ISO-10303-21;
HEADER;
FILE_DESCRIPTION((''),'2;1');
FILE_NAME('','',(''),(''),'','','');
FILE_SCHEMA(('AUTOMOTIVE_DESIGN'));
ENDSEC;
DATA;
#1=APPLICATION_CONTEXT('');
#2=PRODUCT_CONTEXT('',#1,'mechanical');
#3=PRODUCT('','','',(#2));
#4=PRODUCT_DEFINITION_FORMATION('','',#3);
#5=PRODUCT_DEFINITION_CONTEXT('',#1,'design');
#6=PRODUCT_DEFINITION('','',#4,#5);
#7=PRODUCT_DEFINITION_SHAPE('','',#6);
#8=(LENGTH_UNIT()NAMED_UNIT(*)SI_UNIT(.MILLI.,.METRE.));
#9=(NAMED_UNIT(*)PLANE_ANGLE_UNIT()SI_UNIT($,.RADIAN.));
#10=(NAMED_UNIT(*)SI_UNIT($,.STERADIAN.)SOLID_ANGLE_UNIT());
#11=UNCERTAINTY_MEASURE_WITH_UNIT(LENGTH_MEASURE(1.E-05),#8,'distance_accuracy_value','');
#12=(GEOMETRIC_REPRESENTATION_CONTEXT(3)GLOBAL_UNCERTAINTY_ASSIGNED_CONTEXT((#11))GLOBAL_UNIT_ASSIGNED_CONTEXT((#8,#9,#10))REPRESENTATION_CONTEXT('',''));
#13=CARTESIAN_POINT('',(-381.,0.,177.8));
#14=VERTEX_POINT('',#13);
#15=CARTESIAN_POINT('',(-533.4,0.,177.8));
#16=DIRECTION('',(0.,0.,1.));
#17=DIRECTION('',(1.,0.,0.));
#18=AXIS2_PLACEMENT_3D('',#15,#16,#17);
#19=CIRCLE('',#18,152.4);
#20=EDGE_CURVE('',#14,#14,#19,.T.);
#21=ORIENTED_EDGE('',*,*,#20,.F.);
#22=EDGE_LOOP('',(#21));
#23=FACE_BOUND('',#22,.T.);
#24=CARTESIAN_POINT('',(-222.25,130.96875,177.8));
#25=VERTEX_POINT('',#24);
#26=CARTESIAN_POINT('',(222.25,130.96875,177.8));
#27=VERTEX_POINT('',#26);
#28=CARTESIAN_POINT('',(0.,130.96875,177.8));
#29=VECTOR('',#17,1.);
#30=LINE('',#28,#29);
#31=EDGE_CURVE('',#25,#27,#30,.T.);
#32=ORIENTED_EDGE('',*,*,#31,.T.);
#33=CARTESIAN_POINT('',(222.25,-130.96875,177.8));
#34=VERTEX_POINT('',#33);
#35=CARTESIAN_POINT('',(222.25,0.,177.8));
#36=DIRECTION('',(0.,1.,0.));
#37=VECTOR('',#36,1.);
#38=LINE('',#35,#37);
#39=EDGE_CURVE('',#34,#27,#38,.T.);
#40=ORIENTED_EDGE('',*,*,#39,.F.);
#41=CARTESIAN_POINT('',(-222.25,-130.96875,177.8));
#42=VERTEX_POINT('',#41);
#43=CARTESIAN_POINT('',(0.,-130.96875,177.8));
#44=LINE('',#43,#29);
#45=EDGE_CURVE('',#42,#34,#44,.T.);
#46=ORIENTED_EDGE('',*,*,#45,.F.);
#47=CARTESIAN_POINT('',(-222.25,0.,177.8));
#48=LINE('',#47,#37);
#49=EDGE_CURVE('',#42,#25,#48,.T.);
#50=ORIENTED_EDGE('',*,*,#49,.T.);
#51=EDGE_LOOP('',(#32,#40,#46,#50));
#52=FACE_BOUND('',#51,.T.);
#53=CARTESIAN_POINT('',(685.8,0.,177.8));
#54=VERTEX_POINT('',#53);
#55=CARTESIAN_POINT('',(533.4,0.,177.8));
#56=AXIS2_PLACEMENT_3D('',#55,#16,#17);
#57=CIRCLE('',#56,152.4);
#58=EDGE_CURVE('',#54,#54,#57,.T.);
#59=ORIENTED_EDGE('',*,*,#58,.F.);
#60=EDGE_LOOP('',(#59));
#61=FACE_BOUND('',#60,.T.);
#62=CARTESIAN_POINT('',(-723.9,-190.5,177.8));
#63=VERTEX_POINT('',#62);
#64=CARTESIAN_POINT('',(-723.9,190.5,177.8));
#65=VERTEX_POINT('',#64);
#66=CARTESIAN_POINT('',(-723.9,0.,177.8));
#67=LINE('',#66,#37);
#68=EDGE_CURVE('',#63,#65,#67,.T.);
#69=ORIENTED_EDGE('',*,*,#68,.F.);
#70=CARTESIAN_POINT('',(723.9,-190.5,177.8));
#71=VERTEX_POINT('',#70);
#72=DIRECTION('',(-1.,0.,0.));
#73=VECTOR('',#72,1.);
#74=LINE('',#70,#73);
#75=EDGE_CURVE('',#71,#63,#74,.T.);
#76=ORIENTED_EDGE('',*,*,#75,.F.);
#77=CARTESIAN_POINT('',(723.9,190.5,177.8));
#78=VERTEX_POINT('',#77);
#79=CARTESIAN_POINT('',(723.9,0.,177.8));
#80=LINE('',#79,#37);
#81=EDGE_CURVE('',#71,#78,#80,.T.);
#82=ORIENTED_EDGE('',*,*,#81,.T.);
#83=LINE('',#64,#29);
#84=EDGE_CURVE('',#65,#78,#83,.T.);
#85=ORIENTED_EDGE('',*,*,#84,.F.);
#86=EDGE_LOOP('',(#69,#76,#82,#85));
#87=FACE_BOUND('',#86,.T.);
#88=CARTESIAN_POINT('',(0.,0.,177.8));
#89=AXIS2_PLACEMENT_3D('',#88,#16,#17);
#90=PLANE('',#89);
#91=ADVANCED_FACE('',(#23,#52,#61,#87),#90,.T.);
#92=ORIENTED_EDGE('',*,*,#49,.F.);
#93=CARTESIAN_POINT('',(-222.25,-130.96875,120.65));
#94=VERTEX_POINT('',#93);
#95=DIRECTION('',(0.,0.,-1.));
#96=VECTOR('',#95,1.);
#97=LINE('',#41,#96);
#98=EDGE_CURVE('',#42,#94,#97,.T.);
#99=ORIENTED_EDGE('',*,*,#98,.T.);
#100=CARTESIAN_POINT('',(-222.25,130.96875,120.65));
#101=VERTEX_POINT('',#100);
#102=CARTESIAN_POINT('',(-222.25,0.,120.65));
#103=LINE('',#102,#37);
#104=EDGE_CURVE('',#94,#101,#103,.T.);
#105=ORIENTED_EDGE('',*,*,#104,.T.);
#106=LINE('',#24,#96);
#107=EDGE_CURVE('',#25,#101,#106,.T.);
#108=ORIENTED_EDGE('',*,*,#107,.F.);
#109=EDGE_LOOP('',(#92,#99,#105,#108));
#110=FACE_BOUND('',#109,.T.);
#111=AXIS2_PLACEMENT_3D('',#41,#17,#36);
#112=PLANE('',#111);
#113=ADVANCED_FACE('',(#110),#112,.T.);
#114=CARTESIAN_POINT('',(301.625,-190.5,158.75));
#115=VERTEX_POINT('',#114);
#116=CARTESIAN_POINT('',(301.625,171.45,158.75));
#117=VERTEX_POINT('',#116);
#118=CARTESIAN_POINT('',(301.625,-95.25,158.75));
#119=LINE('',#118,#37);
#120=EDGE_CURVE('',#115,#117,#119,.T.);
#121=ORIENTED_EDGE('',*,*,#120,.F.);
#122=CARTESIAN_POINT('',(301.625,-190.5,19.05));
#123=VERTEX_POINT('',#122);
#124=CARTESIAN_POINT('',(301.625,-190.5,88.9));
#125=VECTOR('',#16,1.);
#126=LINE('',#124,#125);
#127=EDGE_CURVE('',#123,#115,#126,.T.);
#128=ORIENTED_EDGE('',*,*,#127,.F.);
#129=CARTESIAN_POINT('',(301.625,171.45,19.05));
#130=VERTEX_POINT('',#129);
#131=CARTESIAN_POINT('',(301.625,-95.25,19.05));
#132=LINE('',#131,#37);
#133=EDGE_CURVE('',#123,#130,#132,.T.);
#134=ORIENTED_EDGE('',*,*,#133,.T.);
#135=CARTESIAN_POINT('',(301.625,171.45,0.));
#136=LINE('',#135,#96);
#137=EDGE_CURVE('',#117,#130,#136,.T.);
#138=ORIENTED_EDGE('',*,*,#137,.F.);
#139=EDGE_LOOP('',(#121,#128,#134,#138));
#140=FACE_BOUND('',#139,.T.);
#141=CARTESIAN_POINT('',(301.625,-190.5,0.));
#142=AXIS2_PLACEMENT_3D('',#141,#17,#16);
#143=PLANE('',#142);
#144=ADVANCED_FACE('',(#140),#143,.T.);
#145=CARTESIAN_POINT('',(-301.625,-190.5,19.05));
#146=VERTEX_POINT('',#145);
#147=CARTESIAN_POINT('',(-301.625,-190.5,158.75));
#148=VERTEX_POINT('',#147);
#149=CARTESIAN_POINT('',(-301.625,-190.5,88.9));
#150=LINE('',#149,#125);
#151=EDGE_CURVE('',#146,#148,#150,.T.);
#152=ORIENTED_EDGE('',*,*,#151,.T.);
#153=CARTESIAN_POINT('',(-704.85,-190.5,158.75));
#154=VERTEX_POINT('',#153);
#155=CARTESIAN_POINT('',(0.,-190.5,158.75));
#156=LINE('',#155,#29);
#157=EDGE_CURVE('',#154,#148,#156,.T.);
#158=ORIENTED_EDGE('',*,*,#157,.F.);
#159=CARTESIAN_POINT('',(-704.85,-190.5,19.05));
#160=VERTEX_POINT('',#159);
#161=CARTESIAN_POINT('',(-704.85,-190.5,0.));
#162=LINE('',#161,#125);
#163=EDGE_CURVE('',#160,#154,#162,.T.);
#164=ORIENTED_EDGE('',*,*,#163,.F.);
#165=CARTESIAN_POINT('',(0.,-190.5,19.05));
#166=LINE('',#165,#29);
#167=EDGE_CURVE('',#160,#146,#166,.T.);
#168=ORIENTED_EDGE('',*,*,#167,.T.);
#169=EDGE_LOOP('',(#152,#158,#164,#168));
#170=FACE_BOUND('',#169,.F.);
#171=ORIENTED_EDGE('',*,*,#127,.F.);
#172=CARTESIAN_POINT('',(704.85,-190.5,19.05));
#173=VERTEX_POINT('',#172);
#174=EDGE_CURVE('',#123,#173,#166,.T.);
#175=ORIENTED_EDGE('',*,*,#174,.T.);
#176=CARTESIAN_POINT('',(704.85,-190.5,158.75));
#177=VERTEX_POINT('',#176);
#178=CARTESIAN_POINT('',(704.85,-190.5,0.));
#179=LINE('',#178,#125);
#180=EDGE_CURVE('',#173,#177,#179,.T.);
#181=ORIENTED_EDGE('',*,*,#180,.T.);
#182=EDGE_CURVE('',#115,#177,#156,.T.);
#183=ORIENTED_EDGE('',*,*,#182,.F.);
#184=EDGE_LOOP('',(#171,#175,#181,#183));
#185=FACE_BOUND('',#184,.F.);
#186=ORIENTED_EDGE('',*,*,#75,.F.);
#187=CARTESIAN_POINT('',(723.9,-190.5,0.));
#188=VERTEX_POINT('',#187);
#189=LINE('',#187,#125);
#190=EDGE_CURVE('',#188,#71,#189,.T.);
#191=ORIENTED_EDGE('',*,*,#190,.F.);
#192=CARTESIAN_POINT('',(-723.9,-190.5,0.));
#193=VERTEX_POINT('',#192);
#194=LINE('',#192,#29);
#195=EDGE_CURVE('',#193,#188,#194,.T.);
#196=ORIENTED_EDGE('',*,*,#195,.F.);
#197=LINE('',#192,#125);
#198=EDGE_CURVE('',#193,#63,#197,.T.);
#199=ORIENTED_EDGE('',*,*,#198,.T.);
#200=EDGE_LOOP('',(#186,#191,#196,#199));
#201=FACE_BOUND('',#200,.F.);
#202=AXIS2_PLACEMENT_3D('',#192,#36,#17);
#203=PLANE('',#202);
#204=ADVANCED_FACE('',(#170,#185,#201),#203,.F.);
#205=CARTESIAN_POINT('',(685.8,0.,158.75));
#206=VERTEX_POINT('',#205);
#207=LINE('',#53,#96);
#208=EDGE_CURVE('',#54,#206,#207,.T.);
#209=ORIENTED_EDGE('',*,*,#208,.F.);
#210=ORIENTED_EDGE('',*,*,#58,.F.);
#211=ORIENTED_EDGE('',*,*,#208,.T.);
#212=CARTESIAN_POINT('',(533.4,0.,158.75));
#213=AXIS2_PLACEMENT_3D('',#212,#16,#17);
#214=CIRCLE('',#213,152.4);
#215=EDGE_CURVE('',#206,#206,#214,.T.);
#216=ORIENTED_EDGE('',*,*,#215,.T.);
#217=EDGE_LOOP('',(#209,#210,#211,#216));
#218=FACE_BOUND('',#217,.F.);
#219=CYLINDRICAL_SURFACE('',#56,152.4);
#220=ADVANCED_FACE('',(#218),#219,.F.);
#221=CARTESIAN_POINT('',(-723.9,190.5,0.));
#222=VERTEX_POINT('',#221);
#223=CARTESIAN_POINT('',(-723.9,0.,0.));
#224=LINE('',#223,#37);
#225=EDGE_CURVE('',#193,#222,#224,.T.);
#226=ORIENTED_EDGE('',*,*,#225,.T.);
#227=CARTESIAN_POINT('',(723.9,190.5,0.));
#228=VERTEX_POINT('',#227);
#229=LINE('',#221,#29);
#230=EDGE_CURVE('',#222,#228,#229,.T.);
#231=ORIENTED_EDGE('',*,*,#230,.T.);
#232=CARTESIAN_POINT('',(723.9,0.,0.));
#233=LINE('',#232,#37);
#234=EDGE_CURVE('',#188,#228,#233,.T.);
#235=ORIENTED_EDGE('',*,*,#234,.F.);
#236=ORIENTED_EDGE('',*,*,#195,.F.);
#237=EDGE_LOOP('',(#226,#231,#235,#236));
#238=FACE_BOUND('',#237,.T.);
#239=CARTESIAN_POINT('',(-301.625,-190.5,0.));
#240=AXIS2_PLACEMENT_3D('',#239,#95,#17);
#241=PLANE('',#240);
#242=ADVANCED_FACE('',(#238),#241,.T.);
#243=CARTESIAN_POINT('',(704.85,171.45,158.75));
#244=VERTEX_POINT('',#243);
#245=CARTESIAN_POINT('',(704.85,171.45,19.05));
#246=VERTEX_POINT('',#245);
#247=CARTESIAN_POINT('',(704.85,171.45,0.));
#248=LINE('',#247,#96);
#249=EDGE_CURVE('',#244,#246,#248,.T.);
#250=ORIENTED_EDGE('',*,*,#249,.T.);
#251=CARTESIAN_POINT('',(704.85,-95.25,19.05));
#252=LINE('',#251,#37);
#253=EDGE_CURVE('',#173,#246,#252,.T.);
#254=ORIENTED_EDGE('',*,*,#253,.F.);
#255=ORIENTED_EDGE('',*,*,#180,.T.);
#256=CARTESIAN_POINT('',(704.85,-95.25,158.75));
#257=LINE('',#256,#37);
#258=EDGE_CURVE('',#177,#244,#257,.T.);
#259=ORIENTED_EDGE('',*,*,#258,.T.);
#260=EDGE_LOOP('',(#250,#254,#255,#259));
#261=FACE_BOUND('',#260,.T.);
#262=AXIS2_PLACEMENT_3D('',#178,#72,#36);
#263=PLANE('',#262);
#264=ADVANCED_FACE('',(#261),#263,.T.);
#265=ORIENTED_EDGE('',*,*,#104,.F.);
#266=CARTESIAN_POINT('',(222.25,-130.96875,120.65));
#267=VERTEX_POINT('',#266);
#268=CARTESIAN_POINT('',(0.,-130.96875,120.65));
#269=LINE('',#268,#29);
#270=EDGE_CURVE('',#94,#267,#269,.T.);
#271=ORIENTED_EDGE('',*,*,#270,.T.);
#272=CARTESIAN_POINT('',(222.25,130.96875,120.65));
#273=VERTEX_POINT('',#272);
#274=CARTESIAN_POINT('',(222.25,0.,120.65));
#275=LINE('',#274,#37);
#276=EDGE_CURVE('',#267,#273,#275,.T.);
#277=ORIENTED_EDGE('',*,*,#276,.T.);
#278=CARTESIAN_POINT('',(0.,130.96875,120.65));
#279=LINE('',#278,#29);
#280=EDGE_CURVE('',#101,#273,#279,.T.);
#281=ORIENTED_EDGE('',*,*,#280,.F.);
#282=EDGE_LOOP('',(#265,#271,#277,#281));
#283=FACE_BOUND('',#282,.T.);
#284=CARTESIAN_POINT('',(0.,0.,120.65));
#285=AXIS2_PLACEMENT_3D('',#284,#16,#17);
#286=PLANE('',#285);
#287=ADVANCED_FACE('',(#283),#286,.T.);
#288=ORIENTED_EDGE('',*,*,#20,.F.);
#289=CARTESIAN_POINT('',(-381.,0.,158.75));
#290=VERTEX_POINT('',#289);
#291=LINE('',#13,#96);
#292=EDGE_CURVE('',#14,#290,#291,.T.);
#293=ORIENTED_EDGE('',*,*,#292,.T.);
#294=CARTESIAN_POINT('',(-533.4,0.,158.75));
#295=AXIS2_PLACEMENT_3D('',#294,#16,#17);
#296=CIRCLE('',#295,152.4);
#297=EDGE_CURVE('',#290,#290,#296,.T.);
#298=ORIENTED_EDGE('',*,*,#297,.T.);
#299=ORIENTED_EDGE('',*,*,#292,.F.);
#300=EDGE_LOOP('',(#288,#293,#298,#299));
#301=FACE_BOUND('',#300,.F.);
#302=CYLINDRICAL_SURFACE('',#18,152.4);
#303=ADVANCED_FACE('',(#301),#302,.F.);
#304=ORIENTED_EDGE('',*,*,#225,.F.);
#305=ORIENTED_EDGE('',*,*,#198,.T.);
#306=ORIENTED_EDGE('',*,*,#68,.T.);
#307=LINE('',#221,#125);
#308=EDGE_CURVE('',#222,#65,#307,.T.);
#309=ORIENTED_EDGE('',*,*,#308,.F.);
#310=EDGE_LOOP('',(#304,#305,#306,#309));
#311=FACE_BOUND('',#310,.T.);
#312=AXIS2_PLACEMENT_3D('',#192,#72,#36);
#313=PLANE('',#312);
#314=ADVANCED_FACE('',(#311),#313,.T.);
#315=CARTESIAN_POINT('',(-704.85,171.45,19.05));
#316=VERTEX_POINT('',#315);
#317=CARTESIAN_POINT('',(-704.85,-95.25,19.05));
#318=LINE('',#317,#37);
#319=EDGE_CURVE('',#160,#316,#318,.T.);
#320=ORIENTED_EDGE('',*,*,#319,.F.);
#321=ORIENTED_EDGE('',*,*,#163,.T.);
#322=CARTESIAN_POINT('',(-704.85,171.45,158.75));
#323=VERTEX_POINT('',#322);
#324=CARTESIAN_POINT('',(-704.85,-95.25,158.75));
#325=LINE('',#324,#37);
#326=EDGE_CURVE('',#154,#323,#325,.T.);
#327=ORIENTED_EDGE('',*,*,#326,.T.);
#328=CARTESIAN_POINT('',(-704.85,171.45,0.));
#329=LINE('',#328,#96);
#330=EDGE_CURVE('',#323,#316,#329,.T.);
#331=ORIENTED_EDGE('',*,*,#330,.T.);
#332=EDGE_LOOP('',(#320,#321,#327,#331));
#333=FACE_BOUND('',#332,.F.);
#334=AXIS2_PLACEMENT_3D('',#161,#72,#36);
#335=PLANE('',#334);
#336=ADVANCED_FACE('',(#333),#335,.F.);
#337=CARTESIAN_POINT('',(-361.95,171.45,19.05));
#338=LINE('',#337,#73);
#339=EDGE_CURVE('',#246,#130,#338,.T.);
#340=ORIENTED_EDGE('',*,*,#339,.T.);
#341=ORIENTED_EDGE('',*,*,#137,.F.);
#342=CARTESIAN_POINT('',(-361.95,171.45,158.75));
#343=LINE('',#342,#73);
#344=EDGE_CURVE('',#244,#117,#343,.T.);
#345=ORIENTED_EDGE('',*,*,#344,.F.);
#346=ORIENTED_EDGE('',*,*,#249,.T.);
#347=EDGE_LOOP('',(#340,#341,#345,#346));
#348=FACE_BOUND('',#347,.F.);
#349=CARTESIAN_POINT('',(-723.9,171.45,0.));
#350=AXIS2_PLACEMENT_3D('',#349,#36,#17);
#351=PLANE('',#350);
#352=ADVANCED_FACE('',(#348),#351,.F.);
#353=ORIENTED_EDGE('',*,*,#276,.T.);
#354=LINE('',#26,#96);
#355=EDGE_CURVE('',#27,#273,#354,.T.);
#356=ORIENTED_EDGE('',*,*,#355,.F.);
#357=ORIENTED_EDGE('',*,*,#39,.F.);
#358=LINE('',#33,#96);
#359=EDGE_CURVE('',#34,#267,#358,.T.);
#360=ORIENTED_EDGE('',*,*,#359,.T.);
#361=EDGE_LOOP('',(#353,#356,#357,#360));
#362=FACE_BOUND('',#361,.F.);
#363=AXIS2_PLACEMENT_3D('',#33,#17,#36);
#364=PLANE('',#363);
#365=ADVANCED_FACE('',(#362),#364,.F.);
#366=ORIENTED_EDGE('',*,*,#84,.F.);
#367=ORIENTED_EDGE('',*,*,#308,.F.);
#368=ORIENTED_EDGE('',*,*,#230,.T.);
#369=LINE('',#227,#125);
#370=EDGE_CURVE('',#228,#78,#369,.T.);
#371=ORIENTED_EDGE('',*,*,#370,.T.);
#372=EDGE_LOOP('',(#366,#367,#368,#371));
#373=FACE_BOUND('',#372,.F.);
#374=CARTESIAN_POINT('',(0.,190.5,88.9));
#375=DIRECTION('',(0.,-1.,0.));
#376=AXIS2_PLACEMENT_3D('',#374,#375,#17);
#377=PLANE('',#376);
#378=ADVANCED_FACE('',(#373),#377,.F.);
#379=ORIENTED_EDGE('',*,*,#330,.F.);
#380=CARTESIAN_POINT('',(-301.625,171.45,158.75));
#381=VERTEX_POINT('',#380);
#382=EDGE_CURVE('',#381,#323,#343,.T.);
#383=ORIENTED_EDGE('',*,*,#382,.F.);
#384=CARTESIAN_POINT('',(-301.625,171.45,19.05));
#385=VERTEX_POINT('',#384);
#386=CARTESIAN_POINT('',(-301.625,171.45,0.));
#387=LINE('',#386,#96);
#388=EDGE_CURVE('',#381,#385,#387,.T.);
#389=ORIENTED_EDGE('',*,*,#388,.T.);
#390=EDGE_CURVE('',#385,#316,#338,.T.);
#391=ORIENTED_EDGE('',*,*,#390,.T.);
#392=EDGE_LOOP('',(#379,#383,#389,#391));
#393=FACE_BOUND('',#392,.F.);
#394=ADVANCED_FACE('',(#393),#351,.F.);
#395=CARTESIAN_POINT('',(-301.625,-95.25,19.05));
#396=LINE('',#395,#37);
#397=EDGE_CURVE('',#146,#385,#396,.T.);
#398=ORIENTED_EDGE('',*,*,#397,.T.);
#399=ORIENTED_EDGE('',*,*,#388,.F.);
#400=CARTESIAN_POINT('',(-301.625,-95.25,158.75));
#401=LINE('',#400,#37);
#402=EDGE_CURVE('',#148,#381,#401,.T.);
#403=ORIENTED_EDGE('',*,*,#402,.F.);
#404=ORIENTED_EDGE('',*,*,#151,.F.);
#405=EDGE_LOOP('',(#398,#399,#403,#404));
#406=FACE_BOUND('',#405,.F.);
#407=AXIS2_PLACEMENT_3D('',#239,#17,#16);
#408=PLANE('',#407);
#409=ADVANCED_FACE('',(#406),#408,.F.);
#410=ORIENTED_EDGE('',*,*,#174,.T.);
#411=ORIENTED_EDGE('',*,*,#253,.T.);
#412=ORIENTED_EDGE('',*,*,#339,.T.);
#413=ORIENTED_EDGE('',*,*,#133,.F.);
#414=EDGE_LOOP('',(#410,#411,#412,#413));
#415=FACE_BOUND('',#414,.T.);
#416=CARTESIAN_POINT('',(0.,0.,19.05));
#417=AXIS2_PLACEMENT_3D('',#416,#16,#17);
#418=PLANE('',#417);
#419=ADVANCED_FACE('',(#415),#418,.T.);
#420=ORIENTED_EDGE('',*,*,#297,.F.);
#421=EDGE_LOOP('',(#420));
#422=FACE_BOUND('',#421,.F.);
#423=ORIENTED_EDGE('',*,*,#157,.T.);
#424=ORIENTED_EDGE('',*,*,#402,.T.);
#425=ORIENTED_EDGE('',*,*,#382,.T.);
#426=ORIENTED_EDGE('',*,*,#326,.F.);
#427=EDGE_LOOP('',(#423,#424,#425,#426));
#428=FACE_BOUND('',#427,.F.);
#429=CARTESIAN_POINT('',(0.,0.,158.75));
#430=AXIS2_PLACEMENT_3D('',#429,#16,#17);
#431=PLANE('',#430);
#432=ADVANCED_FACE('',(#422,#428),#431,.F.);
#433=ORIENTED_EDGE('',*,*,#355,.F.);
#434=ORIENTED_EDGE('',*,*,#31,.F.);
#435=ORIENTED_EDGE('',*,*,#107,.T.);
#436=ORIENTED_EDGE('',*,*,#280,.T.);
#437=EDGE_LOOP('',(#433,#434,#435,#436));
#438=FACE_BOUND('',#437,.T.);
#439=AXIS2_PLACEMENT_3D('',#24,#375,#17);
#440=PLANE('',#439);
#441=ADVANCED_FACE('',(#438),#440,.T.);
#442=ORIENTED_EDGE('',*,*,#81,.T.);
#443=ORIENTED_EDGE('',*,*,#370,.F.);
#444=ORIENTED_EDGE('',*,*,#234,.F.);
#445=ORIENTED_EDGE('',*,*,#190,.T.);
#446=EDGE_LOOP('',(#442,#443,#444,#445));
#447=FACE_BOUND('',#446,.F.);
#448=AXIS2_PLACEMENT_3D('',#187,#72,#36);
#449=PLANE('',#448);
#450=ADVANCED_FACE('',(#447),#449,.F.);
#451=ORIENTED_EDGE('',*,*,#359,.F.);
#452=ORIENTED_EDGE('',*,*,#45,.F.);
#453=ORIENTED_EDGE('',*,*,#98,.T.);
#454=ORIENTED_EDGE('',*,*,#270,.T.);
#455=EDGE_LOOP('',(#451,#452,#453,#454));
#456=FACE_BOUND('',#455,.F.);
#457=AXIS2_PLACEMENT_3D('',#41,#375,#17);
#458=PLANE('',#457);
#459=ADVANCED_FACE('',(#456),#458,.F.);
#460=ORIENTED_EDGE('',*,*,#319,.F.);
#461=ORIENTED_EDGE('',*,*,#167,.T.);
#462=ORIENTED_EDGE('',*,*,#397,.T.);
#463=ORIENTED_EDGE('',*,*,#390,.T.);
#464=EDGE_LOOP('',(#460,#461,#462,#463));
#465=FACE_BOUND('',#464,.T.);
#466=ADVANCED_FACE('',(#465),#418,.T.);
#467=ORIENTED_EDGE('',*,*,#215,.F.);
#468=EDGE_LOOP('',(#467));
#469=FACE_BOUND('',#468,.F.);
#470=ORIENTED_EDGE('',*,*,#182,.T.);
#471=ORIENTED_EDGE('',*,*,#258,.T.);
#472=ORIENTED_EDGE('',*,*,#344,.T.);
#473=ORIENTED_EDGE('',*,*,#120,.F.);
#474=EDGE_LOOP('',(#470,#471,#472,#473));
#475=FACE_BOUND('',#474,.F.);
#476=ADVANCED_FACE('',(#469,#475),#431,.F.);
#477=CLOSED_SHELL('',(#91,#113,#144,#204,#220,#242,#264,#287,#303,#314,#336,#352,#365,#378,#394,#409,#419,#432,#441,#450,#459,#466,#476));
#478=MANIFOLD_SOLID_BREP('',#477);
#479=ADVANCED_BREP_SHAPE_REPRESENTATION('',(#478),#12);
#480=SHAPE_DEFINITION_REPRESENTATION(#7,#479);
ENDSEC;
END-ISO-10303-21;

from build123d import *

# Parameters (mm, degrees)
F0_W     = 1447.8
F0_H     = 381
F1_DEPTH = 177.8
F4_T     = -19.05
F2_R     = 152.4
F5_DEPTH = 25.4
F3_W     = 603.25
F3_H     = 177.8
F6_DEPTH = 381
F2_W     = 444.5
F2_H     = 261.9375
F7_DEPTH = 57.15


with BuildPart() as f1:
    # F0 (on Top) → F1 (new body)
    with BuildSketch(Plane.XY):
        Rectangle(F0_W, F0_H)
    extrude(amount=F1_DEPTH)

    # F4
    f4_openings = [f1.faces().sort_by_distance(p)[0] for p in [
        (0, -190.5, 88.9),
    ]]
    offset(amount=F4_T, openings=f4_openings)

    # F2 (on face) → F5 (cut)
    with BuildSketch(Plane.XY.offset(177.8)):
        with Locations((-533.4, 0)):
            Circle(F2_R)
        with Locations((533.4, 0)):
            Circle(F2_R)
    extrude(amount=-F5_DEPTH, mode=Mode.SUBTRACT)

    # F3 (on face) → F6 (join)
    with BuildSketch(Plane.XZ.offset(190.5)):
        with Locations((0, 88.9)):
            Rectangle(F3_W, F3_H)
    extrude(amount=-F6_DEPTH)

    # F2 (on face) → F7 (cut)
    with BuildSketch(Plane.XY.offset(177.8)):
        Rectangle(F2_W, F2_H)
    extrude(amount=-F7_DEPTH, mode=Mode.SUBTRACT)


solid = f1.part
